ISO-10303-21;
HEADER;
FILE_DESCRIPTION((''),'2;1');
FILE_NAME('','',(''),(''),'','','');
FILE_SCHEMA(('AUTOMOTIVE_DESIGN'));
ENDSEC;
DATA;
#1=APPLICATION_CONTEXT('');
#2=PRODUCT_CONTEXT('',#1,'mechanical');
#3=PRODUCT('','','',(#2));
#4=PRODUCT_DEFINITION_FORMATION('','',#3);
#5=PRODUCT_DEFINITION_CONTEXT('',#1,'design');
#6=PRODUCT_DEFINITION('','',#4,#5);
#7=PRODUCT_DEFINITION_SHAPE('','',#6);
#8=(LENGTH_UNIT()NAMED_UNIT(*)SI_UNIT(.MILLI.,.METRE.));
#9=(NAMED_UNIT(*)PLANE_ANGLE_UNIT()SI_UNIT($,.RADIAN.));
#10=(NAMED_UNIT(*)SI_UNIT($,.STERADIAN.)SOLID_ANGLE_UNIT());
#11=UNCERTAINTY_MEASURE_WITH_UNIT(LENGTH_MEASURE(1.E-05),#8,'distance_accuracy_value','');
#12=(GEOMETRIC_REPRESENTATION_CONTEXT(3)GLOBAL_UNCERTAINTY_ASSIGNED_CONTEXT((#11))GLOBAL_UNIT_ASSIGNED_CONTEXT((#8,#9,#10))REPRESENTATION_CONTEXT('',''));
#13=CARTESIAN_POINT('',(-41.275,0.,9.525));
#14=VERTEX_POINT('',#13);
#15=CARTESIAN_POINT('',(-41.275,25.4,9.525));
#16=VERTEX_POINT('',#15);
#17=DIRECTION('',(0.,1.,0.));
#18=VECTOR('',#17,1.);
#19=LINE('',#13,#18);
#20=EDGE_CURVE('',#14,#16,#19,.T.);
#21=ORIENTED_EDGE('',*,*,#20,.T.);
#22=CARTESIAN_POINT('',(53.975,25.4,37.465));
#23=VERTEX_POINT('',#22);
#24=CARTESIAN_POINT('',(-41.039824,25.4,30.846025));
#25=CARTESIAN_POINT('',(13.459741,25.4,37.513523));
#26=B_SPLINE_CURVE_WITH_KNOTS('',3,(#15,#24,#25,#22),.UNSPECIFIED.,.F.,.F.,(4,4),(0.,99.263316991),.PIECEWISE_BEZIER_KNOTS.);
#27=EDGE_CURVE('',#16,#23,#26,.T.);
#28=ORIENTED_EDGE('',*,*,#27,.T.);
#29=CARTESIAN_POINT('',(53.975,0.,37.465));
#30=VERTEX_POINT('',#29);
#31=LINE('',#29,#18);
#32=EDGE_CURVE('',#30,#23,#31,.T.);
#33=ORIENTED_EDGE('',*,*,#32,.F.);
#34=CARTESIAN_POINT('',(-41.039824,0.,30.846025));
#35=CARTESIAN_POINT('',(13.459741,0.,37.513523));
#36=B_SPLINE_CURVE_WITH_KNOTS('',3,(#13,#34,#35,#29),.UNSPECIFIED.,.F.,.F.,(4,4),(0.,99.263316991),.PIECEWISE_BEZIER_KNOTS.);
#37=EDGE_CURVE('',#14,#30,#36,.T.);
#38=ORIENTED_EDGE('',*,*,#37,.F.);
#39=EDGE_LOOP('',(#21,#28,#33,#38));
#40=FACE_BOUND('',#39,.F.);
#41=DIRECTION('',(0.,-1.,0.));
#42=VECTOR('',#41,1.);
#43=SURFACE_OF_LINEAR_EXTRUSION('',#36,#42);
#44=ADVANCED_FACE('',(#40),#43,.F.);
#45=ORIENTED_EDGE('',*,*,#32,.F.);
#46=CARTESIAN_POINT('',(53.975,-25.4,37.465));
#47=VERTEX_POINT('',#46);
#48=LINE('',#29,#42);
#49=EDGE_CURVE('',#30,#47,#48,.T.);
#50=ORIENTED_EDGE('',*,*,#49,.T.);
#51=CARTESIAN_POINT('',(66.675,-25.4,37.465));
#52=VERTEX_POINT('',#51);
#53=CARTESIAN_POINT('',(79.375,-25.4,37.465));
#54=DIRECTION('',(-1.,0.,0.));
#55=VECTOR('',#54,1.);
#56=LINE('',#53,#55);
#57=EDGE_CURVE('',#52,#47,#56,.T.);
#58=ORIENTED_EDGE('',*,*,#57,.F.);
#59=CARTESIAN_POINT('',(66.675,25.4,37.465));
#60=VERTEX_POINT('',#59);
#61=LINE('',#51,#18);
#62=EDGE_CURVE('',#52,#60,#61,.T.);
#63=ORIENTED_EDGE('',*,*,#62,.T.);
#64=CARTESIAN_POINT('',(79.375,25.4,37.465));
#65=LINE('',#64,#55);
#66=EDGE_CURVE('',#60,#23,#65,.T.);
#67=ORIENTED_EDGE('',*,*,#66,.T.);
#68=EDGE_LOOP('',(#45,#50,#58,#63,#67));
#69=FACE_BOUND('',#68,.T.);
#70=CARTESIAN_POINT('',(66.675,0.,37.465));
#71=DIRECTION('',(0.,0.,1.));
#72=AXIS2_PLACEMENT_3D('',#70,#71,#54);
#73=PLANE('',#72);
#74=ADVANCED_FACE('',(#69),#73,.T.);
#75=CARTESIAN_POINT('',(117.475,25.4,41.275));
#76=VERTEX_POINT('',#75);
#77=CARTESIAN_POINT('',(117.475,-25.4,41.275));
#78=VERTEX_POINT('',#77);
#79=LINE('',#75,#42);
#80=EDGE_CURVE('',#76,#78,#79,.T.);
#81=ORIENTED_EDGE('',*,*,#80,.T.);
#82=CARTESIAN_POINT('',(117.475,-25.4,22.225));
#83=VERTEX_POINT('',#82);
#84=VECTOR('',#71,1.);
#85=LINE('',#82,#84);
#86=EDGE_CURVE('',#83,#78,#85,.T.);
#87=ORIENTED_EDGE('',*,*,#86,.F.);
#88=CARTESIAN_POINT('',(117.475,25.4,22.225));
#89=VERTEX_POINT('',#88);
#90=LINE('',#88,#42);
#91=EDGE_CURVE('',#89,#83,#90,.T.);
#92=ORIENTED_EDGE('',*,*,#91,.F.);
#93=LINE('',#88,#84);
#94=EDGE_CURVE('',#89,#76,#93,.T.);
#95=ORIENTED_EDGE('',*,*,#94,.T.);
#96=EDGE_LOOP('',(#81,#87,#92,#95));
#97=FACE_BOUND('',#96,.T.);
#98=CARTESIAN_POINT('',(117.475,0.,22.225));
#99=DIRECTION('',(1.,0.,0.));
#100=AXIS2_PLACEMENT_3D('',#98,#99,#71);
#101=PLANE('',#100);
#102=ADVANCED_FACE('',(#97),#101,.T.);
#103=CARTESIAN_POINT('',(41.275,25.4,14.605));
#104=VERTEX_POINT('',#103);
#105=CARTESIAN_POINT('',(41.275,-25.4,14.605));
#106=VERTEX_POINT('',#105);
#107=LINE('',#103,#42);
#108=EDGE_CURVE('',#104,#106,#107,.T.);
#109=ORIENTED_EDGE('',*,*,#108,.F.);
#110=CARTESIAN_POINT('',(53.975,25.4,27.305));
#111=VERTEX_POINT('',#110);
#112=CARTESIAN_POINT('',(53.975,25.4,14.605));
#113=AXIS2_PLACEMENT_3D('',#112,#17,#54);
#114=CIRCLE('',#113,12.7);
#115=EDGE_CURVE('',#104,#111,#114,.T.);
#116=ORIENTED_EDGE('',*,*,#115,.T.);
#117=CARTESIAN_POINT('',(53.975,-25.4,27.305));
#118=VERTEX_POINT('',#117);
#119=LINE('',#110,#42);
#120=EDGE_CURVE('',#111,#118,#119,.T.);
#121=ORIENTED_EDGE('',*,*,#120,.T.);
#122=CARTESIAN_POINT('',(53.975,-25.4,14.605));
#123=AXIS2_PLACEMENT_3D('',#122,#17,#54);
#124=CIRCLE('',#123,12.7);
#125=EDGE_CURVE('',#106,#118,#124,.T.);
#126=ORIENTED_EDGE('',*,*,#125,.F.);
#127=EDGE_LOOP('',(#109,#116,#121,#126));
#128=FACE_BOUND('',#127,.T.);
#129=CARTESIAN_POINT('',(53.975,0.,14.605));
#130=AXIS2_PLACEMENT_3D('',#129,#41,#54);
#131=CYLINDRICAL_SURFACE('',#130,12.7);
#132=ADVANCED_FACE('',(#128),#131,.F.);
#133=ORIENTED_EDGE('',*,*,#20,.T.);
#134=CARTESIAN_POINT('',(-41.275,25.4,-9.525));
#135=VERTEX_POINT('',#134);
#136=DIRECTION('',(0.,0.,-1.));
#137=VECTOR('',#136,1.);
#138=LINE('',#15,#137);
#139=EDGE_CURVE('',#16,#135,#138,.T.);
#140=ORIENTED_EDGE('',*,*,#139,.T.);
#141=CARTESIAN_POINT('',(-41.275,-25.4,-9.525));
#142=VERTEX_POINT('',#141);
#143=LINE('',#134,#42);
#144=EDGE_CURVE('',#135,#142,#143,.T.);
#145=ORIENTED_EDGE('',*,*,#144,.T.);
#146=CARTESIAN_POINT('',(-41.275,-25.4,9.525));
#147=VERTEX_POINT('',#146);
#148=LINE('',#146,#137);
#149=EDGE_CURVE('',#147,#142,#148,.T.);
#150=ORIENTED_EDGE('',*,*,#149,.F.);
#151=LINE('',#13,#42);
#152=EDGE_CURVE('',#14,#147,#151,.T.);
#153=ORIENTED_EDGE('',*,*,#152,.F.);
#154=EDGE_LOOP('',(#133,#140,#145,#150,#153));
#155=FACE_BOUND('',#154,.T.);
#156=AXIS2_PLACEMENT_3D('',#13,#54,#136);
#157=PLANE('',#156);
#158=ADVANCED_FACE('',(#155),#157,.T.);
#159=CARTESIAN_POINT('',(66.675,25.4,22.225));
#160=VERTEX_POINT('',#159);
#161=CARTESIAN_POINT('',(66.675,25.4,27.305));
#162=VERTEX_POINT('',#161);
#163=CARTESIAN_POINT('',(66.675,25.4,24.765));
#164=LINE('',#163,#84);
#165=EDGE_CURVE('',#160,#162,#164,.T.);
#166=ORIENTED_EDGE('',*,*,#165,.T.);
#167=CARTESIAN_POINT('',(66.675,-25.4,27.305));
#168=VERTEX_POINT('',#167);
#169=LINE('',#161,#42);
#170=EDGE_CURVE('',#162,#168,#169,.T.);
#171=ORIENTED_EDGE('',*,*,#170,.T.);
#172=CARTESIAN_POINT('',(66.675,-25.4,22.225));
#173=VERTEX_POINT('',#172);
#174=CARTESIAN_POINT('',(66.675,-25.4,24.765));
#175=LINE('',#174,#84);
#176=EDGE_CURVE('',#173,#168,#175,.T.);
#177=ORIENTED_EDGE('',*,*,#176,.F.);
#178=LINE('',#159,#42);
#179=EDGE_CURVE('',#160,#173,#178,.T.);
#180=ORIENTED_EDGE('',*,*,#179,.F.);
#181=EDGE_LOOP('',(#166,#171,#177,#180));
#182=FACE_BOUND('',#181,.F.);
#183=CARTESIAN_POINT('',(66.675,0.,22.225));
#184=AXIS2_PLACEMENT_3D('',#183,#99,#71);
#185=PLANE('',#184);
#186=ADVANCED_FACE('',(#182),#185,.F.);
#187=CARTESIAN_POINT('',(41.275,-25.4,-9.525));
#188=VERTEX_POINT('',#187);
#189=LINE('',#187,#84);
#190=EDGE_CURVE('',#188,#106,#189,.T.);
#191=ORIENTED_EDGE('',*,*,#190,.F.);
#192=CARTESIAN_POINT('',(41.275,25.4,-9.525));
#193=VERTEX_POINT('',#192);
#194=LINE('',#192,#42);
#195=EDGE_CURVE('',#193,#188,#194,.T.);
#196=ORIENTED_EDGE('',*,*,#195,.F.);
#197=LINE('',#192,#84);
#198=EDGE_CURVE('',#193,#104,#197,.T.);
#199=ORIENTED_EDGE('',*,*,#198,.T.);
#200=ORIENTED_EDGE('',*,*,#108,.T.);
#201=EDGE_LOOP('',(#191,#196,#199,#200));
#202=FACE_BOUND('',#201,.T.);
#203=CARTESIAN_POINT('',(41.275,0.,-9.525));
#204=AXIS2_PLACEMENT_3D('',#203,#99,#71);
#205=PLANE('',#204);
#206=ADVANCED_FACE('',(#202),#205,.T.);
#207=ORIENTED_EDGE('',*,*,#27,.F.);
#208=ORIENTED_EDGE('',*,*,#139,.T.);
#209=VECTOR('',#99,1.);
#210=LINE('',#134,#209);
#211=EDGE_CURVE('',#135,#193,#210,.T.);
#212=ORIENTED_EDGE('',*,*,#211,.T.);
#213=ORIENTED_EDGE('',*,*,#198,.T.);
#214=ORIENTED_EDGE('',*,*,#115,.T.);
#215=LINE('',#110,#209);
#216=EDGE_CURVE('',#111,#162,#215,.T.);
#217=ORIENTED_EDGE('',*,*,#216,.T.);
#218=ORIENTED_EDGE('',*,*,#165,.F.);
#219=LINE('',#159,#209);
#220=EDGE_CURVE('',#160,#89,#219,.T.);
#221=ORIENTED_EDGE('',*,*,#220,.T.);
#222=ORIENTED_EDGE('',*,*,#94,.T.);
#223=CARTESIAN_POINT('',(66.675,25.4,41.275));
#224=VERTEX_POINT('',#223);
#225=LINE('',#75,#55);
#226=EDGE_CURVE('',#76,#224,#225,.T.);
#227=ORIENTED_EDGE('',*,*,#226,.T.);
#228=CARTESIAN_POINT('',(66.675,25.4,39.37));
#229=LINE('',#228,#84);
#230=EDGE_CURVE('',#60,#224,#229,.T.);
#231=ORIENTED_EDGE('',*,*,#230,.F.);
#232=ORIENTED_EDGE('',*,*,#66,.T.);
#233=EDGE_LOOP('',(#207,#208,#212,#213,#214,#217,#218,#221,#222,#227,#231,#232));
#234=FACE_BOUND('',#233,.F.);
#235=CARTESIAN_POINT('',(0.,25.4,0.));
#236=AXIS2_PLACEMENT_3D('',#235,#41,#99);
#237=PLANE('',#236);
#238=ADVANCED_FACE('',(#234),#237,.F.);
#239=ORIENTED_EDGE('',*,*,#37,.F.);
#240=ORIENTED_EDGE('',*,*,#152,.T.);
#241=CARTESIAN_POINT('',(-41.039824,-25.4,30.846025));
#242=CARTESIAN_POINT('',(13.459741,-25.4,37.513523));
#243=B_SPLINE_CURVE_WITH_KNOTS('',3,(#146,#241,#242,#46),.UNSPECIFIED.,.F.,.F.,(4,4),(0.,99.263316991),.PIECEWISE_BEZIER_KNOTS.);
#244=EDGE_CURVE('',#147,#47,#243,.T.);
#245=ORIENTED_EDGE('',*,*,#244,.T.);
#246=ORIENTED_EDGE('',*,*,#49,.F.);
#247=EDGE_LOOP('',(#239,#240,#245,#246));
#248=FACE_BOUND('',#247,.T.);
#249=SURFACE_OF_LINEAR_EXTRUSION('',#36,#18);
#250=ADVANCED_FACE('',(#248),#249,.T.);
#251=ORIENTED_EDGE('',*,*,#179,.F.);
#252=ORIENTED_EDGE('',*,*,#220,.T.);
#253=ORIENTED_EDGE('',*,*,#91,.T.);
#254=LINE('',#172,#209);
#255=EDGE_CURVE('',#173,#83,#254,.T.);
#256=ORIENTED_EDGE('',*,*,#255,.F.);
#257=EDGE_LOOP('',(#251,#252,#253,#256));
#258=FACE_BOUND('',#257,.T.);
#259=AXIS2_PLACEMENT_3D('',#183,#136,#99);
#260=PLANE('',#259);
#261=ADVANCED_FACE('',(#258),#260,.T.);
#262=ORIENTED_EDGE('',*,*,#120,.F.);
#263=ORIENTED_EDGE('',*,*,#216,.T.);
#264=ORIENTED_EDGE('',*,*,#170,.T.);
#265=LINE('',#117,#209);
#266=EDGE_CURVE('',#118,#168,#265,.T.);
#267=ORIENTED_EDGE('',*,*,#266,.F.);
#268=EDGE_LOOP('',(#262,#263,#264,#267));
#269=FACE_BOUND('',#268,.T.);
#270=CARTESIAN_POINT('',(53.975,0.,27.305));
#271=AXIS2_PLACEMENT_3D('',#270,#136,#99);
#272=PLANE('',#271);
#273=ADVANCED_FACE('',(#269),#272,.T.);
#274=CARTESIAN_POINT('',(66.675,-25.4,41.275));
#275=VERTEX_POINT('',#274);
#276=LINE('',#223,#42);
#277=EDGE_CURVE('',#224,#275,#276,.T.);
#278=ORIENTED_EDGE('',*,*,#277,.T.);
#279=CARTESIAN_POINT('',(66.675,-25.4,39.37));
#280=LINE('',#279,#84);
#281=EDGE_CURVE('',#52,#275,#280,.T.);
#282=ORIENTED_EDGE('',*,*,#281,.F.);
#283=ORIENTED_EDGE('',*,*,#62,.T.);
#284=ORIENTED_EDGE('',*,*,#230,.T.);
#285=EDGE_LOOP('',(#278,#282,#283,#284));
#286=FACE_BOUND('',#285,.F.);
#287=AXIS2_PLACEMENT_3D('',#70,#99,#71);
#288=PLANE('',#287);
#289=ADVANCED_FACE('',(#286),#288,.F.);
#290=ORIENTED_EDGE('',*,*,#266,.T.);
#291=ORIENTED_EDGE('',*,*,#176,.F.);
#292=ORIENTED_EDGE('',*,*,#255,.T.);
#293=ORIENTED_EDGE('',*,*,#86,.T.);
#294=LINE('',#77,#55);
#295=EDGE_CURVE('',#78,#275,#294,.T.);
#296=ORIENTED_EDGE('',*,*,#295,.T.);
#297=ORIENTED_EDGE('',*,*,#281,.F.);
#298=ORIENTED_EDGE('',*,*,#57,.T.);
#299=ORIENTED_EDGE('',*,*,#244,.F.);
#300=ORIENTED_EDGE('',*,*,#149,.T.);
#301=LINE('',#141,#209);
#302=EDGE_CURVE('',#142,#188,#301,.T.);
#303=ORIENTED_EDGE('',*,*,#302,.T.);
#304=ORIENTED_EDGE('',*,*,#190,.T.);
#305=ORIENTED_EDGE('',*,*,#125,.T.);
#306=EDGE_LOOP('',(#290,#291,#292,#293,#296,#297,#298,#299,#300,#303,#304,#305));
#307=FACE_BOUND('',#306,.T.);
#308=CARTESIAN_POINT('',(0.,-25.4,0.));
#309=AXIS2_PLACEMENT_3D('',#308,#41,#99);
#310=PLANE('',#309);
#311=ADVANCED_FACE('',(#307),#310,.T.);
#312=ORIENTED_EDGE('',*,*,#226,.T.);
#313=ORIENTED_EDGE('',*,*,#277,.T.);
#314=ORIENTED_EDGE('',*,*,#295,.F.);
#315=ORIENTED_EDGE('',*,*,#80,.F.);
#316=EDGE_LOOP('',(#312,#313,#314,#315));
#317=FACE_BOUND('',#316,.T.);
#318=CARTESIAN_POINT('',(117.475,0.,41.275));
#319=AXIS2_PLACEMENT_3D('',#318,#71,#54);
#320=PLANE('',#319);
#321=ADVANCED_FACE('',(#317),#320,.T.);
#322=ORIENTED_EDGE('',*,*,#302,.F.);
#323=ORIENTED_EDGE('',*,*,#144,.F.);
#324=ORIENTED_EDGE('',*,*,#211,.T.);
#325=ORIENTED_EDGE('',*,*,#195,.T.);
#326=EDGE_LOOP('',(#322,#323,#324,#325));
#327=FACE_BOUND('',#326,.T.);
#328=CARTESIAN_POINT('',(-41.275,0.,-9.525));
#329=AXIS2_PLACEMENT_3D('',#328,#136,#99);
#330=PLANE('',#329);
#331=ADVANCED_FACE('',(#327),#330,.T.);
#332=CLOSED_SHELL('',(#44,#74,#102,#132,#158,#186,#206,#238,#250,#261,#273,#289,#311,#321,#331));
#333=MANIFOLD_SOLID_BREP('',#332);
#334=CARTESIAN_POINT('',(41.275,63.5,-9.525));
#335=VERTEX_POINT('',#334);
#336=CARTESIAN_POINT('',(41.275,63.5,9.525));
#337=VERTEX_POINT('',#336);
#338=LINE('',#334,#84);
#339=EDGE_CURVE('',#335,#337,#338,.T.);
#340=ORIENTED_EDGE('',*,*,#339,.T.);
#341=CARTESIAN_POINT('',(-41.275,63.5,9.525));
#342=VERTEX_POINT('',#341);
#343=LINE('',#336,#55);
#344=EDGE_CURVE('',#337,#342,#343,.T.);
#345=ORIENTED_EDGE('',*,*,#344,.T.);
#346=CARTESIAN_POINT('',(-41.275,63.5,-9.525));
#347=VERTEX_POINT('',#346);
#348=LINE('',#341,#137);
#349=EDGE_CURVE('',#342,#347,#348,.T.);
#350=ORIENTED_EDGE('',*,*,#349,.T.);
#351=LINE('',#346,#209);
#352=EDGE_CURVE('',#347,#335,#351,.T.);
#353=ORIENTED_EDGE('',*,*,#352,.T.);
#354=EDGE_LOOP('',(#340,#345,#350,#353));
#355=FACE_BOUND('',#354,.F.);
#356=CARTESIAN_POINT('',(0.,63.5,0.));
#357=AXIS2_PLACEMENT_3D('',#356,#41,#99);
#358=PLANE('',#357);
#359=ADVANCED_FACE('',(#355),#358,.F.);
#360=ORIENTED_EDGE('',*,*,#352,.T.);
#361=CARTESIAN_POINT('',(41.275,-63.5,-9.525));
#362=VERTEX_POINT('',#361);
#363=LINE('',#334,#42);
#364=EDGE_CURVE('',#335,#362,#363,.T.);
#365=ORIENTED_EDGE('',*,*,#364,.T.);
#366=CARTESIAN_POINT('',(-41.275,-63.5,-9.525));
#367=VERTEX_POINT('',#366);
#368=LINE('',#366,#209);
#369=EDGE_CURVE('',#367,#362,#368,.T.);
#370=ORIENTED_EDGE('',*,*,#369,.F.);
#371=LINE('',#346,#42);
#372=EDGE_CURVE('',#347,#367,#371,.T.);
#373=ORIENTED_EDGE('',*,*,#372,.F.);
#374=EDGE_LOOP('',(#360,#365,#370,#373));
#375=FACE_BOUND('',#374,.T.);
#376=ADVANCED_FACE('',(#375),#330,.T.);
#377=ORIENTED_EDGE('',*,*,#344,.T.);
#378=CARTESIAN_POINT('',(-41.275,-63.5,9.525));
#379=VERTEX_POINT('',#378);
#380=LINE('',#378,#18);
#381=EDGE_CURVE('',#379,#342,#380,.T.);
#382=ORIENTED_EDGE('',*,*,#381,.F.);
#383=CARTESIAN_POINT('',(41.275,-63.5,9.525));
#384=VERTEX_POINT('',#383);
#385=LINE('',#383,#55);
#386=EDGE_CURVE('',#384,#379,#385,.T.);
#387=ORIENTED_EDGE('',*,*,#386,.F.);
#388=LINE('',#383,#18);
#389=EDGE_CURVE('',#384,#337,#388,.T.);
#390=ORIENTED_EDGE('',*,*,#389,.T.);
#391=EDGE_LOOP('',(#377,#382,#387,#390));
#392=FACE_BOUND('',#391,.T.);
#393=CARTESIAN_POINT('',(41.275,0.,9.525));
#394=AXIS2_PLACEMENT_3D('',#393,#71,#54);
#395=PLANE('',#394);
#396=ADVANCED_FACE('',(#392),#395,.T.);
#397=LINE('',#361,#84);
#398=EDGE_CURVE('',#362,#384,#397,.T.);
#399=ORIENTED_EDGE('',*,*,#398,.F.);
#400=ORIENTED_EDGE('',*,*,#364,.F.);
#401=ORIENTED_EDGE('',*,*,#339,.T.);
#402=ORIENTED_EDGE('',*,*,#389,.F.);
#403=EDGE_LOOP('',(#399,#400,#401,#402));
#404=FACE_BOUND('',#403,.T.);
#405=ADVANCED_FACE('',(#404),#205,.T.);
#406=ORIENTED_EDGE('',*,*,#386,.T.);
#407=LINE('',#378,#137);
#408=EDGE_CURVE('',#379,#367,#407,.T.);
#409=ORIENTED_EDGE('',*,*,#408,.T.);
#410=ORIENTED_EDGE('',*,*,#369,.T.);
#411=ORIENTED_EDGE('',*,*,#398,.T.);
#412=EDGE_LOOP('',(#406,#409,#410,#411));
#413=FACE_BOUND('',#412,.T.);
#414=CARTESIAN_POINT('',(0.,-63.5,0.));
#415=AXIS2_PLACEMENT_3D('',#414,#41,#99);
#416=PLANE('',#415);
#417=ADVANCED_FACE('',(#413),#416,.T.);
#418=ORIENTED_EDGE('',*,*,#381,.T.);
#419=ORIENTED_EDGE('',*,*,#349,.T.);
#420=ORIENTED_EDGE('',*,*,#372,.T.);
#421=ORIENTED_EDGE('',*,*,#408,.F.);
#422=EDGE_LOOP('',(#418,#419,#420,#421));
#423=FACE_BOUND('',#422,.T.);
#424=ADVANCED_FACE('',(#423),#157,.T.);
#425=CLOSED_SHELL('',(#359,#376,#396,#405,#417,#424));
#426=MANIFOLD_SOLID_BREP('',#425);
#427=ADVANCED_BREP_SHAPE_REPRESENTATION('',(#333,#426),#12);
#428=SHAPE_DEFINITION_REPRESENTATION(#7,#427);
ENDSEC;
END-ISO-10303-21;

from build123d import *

# Parameters (mm, degrees)
F1_DEPTH = 63.5
F0_W     = 12.7
F0_H     = 10.16
F0_H_2   = 3.81
F0_H_3   = 5.08
F2_DEPTH = 25.4


with BuildPart() as f1:
    # F0 (on Front) → F1 (new body, symmetric)
    with BuildSketch(Plane.XZ):
        Polygon((-41.275, 9.525), (-41.275, -9.525), (41.275, -9.525), (41.275, 9.525), (31.115, 9.525), align=None)
    extrude(amount=F1_DEPTH, both=True)


with BuildPart() as f2:
    # F0 (on Front) → F2 (new body, symmetric)
    with BuildSketch(Plane.XZ):
        Polygon((-41.275, 9.525), (-41.275, -9.525), (41.275, -9.525), (41.275, 9.525), (31.115, 9.525), align=None)
        with BuildLine():
            add(Edge.make_bspline(
                [(-41.275, 9.525), (-41.0398244858, 30.8460247099), (13.4597411379, 37.5135232091), (53.975, 37.465)],
                knots=[0, 0, 0, 0, 99.2633169907, 99.2633169907, 99.2633169907, 99.2633169907], degree=3))
            Line((-41.275, 9.525), (31.115, 9.525))
            Line((31.115, 9.525), (31.115, 14.605))
            ThreePointArc((31.115, 14.605), (37.8105389821, 30.7694610179), (53.975, 37.465))
        make_face()
        with BuildLine():
            Line((31.115, 9.525), (41.275, 9.525))
            Line((41.275, 9.525), (41.275, 14.605))
            ThreePointArc((41.275, 14.605), (44.9947438789, 23.5852561211), (53.975, 27.305))
            Line((53.975, 27.305), (66.675, 27.305))
            Line((66.675, 27.305), (66.675, 37.465))
            Line((66.675, 37.465), (53.975, 37.465))
            ThreePointArc((53.975, 37.465), (37.8105389821, 30.7694610179), (31.115, 14.605))
            Line((31.115, 14.605), (31.115, 9.525))
        make_face()
        with Locations((73.025, 32.385)):
            Rectangle(F0_W, F0_H)
        with Locations((73.025, 39.37)):
            Rectangle(F0_W, F0_H_2)
        with Locations((73.025, 24.765)):
            Rectangle(F0_W, F0_H_3)
        Polygon((79.375, 41.275), (79.375, 37.465), (79.375, 27.305), (79.375, 22.225), (117.475, 22.225), (117.475, 41.275), align=None)
    extrude(amount=F2_DEPTH, both=True)


solid = Compound([f1.part, f2.part])
